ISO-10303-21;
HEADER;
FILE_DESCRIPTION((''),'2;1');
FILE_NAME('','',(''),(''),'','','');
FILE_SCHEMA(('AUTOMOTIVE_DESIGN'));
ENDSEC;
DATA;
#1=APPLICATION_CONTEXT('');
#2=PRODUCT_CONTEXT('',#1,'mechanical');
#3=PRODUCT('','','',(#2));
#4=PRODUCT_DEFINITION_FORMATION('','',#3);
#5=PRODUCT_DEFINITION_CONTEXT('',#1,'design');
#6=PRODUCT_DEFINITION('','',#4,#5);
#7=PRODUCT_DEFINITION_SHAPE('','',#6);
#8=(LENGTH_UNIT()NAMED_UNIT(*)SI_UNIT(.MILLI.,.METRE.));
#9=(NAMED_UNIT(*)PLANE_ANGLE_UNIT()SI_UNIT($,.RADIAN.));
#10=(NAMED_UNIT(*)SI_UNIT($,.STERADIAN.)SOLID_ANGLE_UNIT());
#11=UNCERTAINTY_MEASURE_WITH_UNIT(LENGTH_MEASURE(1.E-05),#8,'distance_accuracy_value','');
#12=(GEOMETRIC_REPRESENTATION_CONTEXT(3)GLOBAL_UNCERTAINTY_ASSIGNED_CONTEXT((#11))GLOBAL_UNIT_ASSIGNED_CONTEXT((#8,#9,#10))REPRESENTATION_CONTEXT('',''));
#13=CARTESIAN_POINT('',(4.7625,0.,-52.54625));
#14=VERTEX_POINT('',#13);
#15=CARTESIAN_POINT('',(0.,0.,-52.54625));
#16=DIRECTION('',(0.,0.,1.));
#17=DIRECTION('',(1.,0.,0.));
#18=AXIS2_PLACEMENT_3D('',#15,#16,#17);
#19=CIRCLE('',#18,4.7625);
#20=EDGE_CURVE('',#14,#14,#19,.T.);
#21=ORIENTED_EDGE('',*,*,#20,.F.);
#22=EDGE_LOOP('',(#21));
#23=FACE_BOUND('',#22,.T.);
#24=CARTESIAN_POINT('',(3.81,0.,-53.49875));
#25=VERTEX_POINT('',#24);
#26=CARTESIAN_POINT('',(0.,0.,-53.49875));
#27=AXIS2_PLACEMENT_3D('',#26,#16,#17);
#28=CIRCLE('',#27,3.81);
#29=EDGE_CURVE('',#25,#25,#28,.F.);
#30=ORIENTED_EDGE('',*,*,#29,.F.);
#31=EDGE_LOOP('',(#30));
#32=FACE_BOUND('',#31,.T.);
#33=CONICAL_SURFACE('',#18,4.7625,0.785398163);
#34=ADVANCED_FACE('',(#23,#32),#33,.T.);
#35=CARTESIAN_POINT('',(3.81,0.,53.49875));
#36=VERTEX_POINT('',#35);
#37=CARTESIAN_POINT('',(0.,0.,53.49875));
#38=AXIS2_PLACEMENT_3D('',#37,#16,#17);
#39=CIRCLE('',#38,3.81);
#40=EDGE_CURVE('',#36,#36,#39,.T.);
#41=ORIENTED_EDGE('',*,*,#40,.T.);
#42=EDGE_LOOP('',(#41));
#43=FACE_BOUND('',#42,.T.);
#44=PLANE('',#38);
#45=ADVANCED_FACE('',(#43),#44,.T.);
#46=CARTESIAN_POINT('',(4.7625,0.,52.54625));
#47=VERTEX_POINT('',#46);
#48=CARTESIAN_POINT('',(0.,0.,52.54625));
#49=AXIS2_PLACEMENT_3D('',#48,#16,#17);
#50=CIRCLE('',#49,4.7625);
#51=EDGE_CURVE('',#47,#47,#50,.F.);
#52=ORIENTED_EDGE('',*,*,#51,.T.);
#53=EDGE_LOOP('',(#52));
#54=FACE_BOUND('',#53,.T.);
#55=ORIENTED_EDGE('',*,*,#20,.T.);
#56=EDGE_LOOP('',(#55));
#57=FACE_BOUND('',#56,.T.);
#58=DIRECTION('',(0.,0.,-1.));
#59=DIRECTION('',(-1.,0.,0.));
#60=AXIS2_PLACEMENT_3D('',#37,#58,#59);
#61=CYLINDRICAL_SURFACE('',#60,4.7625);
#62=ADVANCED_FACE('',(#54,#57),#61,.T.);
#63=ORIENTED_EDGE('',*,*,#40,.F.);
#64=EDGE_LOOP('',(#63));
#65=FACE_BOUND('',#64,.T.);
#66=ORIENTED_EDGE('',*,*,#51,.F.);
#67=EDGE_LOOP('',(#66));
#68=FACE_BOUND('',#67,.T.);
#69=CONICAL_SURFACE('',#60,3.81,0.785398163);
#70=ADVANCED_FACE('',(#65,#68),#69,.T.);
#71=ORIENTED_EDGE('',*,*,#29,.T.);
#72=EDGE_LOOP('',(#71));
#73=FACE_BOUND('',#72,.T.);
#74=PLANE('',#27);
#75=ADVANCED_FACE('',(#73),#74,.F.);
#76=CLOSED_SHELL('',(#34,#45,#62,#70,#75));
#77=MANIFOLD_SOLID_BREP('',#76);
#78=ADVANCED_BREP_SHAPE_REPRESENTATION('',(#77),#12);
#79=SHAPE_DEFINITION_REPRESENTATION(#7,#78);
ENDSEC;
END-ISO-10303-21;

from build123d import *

# Parameters (mm, degrees)
SKETCH1_R      = 4.7625
EXTRUDE1_DEPTH = 53.49875
CHAMFER1_SIZE  = 0.9525


with BuildPart() as part:
    # Sketch1 → Extrude1 (new body, symmetric)
    with BuildSketch(Plane.XY):
        Circle(SKETCH1_R)
    extrude(amount=EXTRUDE1_DEPTH, both=True)

    # Chamfer1
    chamfer1_edges = [part.edges().sort_by_distance(p)[0] for p in [
        (-4.7625, 0, -53.49875),
        (-4.7625, 0, 53.49875),
    ]]
    chamfer(chamfer1_edges, length=CHAMFER1_SIZE)


solid = part.part
